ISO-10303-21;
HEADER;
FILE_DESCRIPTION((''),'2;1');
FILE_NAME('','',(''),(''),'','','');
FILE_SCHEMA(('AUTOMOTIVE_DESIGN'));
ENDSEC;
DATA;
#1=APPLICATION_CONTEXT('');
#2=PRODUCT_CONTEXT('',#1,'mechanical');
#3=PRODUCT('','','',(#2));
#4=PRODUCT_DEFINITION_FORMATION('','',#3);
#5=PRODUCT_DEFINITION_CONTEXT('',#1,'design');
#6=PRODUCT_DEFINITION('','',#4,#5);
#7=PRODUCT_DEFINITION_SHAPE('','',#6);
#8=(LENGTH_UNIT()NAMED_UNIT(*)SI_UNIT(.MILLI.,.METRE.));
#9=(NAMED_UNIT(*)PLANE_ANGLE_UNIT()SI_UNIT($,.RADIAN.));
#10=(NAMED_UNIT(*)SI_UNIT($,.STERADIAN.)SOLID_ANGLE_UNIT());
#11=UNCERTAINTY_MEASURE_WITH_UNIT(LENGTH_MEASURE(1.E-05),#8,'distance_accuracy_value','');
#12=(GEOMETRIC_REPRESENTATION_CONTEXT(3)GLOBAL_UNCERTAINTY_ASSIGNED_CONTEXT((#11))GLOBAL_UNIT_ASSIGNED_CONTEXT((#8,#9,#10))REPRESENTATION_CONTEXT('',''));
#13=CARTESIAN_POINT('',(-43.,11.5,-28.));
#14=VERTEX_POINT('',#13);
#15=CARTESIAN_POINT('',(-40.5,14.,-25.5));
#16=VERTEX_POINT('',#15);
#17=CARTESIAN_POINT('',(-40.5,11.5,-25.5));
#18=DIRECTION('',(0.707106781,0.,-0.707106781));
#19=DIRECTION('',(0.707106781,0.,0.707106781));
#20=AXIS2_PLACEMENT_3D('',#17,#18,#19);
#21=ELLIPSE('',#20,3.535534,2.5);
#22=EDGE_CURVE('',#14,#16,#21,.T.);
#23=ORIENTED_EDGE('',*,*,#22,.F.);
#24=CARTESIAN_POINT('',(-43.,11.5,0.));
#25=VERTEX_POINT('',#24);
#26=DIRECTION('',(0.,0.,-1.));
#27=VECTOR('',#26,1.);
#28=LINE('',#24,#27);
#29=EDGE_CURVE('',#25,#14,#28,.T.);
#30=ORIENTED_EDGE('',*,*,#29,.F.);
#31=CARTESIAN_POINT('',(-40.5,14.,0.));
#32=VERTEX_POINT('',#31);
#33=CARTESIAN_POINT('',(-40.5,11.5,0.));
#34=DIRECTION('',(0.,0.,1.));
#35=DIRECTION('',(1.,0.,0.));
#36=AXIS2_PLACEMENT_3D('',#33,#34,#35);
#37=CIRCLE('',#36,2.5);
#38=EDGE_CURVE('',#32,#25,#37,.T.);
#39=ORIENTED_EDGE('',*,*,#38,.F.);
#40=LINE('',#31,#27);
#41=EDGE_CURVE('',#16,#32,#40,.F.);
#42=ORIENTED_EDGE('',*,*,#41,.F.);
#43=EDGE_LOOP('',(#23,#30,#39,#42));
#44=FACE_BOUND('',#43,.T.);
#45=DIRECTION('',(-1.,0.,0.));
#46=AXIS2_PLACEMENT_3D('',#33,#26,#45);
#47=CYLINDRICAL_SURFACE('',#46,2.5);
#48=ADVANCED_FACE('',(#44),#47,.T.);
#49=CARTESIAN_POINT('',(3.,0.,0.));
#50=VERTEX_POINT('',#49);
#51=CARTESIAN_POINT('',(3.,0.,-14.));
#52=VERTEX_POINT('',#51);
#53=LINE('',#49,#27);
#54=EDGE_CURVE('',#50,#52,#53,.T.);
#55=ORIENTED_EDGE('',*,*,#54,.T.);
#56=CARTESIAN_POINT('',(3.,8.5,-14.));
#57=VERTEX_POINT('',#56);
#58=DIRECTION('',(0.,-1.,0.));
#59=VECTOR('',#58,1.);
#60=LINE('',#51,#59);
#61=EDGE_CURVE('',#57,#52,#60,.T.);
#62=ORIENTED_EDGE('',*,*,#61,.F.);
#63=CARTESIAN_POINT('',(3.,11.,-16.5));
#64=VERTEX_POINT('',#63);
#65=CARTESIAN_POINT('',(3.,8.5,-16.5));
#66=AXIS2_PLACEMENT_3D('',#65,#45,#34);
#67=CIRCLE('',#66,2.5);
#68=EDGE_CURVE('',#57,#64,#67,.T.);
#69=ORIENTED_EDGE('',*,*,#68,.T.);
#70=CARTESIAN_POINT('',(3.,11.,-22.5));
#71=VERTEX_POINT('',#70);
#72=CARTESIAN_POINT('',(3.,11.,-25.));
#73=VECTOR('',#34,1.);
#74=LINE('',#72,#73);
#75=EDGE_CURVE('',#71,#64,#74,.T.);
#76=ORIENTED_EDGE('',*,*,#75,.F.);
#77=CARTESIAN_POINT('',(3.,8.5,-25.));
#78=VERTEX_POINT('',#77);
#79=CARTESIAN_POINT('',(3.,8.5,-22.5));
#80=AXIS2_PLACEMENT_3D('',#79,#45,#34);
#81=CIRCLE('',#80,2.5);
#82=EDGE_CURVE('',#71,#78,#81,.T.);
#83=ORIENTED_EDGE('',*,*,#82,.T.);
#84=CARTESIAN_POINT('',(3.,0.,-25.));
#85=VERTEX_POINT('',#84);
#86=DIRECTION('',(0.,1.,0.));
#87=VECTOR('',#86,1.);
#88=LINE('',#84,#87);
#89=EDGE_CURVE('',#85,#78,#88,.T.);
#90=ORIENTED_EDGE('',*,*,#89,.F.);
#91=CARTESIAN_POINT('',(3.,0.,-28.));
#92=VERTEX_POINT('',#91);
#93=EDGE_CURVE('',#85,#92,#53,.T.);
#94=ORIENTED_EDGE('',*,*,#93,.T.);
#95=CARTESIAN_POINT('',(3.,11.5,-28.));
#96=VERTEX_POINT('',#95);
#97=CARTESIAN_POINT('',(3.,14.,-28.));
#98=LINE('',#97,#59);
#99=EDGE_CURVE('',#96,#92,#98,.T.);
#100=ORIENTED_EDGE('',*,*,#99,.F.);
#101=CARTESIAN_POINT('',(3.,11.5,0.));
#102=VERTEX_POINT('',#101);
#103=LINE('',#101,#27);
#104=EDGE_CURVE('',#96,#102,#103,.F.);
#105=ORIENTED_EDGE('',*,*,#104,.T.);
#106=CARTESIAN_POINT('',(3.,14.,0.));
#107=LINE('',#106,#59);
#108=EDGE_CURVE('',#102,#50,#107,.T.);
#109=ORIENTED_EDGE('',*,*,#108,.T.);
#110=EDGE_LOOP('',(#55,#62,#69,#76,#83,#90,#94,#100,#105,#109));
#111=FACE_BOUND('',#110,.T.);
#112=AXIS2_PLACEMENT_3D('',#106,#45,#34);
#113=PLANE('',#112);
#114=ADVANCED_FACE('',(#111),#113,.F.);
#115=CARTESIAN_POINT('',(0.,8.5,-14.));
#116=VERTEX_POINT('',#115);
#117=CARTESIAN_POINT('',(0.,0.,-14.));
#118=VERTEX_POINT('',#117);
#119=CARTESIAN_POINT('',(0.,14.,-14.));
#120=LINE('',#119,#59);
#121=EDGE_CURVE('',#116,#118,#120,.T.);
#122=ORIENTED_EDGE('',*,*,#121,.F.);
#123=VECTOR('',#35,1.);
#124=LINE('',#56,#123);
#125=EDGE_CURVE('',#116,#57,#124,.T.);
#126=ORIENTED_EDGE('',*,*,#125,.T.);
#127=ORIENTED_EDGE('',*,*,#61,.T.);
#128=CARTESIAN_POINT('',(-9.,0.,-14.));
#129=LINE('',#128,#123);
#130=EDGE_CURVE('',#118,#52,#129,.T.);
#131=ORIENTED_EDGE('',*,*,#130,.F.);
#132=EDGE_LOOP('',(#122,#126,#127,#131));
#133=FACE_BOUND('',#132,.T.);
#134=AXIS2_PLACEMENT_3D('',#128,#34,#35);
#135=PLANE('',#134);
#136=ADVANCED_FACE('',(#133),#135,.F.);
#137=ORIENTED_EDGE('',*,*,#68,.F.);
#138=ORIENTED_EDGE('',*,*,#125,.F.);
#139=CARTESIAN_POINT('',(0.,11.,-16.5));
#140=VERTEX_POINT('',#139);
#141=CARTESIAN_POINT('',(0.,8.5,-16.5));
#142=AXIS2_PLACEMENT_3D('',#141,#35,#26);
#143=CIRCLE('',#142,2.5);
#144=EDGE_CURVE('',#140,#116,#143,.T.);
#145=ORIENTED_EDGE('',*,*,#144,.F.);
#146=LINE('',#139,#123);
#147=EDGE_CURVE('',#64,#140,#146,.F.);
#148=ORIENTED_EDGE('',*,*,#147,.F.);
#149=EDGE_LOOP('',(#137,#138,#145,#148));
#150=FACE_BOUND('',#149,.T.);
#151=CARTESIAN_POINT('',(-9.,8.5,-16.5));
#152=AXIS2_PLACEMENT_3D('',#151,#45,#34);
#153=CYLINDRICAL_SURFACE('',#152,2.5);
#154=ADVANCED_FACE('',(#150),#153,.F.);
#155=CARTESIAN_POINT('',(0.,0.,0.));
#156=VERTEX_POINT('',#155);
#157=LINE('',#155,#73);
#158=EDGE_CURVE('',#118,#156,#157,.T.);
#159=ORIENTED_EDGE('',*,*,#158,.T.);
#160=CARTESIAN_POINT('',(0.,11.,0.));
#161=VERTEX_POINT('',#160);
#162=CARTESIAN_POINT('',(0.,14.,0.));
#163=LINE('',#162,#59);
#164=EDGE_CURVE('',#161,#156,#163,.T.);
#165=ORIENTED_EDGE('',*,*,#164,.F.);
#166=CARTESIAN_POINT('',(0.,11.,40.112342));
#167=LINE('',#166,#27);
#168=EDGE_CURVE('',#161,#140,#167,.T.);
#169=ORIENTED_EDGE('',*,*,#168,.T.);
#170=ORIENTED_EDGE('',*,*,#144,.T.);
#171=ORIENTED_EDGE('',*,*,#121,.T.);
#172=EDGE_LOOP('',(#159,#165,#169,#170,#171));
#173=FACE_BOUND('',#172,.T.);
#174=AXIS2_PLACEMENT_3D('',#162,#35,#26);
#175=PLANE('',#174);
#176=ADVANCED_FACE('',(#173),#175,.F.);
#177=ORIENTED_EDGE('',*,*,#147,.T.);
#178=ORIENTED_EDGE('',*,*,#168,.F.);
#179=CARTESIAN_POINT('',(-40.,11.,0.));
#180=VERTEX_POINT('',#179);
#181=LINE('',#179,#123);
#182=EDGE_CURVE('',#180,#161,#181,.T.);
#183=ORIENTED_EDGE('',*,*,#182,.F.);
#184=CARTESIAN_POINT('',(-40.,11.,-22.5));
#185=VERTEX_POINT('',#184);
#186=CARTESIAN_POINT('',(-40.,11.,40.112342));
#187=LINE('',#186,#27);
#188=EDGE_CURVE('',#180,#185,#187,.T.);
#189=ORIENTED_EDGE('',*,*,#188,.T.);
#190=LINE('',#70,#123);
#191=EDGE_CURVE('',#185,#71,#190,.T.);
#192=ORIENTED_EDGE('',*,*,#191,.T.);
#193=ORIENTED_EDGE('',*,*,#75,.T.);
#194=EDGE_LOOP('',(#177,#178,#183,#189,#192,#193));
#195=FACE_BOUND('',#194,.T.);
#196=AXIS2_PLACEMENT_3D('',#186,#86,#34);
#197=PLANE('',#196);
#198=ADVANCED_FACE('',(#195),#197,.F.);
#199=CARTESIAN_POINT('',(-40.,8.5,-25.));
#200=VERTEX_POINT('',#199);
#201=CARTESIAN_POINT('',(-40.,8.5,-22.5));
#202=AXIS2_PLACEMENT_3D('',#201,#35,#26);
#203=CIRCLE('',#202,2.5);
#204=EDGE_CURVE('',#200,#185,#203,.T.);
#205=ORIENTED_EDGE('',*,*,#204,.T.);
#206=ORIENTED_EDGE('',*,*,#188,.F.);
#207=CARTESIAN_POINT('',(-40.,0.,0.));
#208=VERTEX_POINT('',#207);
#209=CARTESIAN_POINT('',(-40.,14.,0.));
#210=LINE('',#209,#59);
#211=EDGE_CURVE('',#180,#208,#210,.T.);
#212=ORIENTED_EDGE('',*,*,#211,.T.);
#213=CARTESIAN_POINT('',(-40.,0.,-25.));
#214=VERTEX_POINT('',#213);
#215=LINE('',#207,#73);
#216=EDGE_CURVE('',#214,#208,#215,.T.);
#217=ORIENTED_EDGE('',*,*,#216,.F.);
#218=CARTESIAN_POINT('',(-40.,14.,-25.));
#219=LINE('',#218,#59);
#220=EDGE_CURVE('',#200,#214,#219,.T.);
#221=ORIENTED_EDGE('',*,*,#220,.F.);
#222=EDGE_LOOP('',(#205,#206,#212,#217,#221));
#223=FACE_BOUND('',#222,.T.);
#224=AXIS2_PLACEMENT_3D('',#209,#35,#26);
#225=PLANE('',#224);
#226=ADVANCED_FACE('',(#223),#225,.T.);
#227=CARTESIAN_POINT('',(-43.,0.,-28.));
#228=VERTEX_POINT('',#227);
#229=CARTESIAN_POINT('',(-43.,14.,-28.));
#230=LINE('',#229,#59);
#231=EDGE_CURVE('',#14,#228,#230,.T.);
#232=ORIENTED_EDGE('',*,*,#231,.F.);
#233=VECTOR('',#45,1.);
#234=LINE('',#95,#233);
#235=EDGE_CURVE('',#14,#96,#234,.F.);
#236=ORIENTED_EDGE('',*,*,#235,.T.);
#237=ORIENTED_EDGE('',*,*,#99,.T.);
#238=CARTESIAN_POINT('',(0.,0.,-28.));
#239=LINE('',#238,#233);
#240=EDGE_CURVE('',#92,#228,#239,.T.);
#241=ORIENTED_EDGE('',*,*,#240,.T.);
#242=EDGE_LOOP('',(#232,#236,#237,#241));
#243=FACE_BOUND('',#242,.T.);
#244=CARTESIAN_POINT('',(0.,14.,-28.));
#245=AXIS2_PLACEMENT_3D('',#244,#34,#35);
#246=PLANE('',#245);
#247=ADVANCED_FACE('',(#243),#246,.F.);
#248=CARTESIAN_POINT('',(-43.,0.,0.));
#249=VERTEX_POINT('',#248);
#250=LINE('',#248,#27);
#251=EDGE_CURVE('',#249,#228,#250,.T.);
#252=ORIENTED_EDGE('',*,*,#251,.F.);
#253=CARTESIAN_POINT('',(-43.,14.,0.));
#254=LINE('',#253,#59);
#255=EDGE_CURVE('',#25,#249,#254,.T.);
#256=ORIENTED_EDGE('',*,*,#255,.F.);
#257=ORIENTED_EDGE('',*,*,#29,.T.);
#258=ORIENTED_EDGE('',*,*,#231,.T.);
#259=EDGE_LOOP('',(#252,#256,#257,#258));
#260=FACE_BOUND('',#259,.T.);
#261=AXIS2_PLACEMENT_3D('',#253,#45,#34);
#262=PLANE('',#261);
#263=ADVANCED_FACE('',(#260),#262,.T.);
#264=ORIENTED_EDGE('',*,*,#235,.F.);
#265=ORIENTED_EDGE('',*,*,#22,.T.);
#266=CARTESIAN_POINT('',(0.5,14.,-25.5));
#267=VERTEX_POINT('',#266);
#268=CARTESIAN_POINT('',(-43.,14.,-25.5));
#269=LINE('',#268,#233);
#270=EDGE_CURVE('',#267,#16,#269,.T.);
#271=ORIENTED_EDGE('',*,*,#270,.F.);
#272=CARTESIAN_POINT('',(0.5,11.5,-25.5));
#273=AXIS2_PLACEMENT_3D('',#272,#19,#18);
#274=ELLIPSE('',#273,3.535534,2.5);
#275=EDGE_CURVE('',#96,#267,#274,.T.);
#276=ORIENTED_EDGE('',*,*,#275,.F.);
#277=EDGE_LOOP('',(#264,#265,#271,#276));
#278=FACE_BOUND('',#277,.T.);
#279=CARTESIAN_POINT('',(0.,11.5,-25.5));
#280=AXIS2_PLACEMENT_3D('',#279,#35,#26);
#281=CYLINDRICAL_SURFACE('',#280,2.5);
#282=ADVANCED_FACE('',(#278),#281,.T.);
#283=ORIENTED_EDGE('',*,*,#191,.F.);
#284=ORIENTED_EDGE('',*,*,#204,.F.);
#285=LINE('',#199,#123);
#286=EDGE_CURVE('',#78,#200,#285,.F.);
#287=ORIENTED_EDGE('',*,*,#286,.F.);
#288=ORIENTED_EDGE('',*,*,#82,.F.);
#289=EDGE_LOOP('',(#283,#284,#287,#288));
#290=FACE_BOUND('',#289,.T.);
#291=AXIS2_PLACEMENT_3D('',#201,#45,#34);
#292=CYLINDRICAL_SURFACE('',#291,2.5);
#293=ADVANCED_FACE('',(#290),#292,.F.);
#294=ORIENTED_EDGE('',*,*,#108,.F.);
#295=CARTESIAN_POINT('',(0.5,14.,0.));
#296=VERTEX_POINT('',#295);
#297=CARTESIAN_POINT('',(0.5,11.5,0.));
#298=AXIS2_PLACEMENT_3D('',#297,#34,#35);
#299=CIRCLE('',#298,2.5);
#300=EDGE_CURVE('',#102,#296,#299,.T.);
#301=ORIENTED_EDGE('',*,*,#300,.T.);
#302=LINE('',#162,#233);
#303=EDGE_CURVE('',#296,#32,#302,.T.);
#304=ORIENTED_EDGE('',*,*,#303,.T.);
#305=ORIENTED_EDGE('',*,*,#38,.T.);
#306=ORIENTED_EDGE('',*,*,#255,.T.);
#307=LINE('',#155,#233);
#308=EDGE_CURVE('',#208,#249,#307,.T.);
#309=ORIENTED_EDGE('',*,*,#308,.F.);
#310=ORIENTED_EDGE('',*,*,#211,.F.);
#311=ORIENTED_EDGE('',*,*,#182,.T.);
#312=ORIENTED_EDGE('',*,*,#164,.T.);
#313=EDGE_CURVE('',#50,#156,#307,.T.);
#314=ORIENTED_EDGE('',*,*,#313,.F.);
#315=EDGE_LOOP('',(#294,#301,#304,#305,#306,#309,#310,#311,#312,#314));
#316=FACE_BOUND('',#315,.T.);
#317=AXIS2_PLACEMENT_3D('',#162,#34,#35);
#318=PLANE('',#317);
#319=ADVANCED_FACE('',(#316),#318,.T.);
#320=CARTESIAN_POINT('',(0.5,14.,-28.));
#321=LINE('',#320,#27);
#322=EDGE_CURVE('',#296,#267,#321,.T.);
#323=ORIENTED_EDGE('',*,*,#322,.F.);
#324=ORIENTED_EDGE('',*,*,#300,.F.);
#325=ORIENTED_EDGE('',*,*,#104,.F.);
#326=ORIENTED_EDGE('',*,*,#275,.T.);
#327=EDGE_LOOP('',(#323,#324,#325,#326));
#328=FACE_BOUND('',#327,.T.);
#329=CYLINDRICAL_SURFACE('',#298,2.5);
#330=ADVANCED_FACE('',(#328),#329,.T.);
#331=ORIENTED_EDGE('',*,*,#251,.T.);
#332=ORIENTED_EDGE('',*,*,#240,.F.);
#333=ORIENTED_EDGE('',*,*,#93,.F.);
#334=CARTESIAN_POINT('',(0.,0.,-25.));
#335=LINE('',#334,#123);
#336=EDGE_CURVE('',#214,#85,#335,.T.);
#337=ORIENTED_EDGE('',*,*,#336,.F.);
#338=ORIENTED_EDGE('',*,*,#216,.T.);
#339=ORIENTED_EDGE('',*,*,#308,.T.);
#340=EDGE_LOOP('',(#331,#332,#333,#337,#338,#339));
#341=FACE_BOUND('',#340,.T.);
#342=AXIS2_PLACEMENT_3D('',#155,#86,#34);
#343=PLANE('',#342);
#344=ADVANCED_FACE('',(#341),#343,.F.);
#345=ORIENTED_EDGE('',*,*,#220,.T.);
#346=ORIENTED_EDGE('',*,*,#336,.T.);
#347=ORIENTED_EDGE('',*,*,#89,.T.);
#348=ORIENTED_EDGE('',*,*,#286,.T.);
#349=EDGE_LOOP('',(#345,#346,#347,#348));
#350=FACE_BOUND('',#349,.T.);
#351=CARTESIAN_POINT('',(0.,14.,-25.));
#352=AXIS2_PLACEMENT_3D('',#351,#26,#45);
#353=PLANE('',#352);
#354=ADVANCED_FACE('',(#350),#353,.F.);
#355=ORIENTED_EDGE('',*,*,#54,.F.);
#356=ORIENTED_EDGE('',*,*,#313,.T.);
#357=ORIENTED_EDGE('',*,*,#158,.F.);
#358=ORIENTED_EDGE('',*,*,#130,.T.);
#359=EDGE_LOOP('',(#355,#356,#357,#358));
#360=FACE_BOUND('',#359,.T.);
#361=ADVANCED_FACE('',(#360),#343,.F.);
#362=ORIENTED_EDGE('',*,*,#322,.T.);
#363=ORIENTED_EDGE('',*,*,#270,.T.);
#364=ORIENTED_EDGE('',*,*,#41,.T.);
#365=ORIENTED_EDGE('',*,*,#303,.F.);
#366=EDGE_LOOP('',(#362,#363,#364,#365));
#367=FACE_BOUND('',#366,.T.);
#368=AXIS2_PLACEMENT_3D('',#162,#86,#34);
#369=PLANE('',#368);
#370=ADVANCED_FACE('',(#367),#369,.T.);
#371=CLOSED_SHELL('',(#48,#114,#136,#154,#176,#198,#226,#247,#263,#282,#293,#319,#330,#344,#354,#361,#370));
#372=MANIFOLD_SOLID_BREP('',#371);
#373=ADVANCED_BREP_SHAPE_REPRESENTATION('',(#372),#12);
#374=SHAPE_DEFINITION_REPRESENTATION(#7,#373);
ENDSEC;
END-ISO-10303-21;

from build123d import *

# Parameters (mm, degrees)
SALIENTE_EXTRUIR1_DEPTH = 14
CROQUIS2_W              = 40
CROQUIS2_H              = 3
SALIENTE_EXTRUIR2_DEPTH = 25
CROQUIS3_W              = 11
CROQUIS3_H              = 11
CORTAR_EXTRUIR1_DEPTH   = 12
REDONDEO1_R             = 2.5


with BuildPart() as part:
    # Croquis1 → Saliente-Extruir1 (new body)
    with BuildSketch(Plane(origin=(0, 0, 0), x_dir=(1, 0, 0), z_dir=(0, 1, 0))):
        Polygon((-40, 0), (-40, 25), (0, 25), (0, 0), (3, 0), (3, 28), (-43, 28), (-43, 0), align=None)
    extrude(amount=SALIENTE_EXTRUIR1_DEPTH)

    # Croquis2 → Saliente-Extruir2 (add)
    with BuildSketch(Plane.XY.offset(-25)):
        with Locations((-20, 12.5)):
            Rectangle(CROQUIS2_W, CROQUIS2_H)
    extrude(amount=SALIENTE_EXTRUIR2_DEPTH)

    # Croquis3 → Cortar-Extruir1 (cut)
    with BuildSketch(Plane(origin=(3, 0, 0), x_dir=(0, 0, -1), z_dir=(1, 0, 0))):
        with Locations((19.5, 5.5)):
            Rectangle(CROQUIS3_W, CROQUIS3_H)
    extrude(amount=-CORTAR_EXTRUIR1_DEPTH, mode=Mode.SUBTRACT)

    # Redondeo1
    redondeo1_edges = [part.edges().sort_by_distance(p)[0] for p in [
        (-18.5, 11, -25),
        (3, 14, -14),
        (-20, 14, -28),
        (1.5, 11, -14),
        (-43, 14, -14),
    ]]
    fillet(redondeo1_edges, radius=REDONDEO1_R)


solid = part.part
